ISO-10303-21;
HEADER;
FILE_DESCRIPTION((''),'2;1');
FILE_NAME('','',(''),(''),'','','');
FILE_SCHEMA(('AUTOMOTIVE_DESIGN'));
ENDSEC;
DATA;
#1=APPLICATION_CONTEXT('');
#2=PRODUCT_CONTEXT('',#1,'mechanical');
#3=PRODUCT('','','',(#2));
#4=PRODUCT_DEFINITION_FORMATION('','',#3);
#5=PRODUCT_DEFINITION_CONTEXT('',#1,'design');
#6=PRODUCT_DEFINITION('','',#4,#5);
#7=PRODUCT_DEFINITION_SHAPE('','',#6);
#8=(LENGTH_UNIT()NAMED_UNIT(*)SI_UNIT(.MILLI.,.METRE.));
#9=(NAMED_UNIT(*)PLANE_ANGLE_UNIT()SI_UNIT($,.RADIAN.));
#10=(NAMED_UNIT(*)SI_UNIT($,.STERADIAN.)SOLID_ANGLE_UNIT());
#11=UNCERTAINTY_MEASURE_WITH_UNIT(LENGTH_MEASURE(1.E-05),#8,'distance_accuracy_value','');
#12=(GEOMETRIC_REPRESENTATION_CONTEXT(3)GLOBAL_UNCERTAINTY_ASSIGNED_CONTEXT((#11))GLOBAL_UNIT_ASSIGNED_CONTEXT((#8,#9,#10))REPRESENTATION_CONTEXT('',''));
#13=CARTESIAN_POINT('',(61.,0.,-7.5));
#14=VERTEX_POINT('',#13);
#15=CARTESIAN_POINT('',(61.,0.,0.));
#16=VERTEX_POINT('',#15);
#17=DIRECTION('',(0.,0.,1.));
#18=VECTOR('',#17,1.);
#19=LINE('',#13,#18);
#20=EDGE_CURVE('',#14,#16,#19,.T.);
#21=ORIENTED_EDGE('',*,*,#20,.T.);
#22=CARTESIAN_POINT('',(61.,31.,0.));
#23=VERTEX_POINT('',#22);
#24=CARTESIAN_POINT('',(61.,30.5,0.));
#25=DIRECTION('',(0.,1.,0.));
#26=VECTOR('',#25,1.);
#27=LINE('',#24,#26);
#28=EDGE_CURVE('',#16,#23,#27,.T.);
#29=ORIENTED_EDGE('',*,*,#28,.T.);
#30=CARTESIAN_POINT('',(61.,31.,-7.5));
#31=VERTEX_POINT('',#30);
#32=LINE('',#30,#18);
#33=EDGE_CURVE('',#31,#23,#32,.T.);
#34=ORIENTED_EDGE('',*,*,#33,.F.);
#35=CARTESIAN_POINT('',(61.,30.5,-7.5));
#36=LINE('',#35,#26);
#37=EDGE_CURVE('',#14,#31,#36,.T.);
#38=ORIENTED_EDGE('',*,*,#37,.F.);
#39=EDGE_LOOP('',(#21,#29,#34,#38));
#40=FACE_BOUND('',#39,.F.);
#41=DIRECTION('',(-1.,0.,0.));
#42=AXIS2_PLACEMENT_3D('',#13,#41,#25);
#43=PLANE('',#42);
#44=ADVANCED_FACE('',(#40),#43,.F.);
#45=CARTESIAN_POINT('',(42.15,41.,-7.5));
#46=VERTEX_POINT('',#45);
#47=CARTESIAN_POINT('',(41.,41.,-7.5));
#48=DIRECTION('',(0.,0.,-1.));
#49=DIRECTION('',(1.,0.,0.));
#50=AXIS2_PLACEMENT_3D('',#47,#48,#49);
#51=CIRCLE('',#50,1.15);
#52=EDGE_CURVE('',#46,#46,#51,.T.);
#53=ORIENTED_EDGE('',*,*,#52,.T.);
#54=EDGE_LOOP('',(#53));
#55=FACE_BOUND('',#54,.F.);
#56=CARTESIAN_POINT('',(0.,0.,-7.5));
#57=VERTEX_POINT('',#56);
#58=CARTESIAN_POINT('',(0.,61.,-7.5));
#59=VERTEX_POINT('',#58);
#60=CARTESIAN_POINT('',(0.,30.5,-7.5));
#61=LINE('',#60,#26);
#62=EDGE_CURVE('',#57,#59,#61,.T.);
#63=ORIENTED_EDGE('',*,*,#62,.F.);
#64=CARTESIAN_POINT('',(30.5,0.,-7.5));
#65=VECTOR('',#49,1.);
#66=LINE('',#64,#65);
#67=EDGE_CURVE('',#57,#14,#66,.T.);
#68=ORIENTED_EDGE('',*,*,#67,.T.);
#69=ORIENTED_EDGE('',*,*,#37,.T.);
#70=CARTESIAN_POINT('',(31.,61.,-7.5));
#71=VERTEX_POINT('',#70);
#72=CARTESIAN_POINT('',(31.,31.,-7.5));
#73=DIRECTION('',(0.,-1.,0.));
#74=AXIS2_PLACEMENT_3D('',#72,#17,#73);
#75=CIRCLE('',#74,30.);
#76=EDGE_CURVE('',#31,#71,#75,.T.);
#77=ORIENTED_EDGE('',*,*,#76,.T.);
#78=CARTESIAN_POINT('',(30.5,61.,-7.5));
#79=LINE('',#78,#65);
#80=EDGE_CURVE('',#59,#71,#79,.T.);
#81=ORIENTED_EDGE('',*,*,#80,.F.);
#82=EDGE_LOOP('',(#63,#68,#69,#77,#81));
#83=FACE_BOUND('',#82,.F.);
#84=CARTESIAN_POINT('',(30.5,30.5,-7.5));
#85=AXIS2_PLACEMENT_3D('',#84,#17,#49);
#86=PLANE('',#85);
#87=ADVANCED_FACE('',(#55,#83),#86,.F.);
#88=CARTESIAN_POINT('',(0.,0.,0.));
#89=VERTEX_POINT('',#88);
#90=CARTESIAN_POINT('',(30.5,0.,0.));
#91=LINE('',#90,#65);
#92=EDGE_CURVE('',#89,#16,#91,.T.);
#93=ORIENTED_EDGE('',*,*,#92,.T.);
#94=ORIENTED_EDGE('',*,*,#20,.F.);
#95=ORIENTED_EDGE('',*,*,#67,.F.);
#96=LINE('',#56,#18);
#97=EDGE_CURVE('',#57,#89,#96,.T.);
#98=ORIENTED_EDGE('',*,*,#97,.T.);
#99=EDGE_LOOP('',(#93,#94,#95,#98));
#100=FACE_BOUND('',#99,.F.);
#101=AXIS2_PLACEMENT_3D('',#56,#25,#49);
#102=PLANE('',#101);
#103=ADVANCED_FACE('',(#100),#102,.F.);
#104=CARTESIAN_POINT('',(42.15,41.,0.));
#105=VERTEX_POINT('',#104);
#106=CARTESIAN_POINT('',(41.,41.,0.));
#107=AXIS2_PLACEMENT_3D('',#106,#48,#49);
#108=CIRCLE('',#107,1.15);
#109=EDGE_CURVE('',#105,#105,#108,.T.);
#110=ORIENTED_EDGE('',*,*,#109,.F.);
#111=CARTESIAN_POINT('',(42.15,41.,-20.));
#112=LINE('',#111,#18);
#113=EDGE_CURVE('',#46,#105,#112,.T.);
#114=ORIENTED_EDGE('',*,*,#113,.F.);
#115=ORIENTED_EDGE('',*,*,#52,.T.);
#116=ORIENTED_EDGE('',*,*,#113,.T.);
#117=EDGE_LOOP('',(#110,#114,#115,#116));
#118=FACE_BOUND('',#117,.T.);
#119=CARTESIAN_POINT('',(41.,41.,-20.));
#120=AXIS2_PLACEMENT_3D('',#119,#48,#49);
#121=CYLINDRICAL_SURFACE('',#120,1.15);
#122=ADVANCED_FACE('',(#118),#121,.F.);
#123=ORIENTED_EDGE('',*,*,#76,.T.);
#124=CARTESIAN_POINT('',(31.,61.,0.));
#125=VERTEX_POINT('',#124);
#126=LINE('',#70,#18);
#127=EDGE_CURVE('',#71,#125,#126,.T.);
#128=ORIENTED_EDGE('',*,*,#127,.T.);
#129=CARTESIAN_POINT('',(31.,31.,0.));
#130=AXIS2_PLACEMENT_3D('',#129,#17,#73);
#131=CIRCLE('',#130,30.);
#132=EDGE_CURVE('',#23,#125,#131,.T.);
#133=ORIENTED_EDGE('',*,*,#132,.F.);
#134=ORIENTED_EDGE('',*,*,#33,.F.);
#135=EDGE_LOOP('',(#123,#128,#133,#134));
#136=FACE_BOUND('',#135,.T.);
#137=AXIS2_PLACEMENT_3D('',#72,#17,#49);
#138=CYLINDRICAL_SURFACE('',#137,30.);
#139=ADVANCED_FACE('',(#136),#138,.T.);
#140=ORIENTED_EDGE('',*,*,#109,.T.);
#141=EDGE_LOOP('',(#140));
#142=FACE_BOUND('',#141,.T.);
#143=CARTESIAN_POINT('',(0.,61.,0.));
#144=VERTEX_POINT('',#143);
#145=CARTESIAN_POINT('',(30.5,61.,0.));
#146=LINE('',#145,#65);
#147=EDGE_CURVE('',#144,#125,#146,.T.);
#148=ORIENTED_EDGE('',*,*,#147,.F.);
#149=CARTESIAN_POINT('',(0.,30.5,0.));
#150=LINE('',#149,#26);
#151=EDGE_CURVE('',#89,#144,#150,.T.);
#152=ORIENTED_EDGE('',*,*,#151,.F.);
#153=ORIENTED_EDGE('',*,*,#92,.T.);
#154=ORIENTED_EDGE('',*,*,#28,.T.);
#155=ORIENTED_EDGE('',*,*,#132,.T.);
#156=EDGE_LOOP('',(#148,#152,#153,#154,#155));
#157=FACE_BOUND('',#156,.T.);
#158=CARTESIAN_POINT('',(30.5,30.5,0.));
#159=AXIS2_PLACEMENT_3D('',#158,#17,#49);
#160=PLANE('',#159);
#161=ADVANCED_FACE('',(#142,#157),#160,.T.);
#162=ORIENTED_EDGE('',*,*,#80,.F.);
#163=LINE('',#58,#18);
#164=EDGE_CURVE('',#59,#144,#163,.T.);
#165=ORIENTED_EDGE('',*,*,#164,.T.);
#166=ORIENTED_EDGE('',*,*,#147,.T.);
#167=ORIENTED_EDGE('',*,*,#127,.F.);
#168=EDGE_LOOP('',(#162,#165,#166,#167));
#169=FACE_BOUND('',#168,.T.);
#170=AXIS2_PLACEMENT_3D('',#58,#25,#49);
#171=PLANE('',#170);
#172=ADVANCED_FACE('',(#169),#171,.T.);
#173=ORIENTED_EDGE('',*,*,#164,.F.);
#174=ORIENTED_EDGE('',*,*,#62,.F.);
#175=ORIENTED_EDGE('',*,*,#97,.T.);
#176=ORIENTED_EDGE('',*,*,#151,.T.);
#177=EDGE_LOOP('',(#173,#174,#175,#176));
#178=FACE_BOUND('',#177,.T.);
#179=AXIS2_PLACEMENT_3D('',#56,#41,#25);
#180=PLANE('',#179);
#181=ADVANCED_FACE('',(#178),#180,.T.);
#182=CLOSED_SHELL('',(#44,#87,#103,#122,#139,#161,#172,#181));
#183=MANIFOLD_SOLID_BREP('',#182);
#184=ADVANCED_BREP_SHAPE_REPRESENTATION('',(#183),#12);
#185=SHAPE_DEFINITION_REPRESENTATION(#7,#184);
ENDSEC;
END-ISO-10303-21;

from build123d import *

# Parameters (mm, degrees)
CYLINDER006_R     = 1.15
CYLINDER006_DEPTH = 40
BOX010_W          = 61
BOX010_H          = 61
BOX010_DEPTH      = 7.5
FILLET002_R       = 30


with BuildPart() as ejerodamientos:
    # Cylinder006 → Cylinder006 (new body)
    with BuildSketch(Plane(origin=(41, 41, -20), x_dir=(1, 0, 0), z_dir=(0, 0, 1))):
        Circle(CYLINDER006_R)
    extrude(amount=CYLINDER006_DEPTH)


with BuildPart() as cut009:
    # Box010 → Box010 (new body)
    with BuildSketch(Plane.XY.offset(-7.5)):
        with Locations((30.5, 30.5)):
            Rectangle(BOX010_W, BOX010_H)
    extrude(amount=BOX010_DEPTH)

    # Fillet002
    fillet002_edges = [cut009.edges().sort_by_distance(p)[0] for p in [
        (61, 61, -3.75),
    ]]
    fillet(fillet002_edges, radius=FILLET002_R)

    # Cut009: cut EjeRodamientos
    add(ejerodamientos.part, mode=Mode.SUBTRACT)


solid = cut009.part
